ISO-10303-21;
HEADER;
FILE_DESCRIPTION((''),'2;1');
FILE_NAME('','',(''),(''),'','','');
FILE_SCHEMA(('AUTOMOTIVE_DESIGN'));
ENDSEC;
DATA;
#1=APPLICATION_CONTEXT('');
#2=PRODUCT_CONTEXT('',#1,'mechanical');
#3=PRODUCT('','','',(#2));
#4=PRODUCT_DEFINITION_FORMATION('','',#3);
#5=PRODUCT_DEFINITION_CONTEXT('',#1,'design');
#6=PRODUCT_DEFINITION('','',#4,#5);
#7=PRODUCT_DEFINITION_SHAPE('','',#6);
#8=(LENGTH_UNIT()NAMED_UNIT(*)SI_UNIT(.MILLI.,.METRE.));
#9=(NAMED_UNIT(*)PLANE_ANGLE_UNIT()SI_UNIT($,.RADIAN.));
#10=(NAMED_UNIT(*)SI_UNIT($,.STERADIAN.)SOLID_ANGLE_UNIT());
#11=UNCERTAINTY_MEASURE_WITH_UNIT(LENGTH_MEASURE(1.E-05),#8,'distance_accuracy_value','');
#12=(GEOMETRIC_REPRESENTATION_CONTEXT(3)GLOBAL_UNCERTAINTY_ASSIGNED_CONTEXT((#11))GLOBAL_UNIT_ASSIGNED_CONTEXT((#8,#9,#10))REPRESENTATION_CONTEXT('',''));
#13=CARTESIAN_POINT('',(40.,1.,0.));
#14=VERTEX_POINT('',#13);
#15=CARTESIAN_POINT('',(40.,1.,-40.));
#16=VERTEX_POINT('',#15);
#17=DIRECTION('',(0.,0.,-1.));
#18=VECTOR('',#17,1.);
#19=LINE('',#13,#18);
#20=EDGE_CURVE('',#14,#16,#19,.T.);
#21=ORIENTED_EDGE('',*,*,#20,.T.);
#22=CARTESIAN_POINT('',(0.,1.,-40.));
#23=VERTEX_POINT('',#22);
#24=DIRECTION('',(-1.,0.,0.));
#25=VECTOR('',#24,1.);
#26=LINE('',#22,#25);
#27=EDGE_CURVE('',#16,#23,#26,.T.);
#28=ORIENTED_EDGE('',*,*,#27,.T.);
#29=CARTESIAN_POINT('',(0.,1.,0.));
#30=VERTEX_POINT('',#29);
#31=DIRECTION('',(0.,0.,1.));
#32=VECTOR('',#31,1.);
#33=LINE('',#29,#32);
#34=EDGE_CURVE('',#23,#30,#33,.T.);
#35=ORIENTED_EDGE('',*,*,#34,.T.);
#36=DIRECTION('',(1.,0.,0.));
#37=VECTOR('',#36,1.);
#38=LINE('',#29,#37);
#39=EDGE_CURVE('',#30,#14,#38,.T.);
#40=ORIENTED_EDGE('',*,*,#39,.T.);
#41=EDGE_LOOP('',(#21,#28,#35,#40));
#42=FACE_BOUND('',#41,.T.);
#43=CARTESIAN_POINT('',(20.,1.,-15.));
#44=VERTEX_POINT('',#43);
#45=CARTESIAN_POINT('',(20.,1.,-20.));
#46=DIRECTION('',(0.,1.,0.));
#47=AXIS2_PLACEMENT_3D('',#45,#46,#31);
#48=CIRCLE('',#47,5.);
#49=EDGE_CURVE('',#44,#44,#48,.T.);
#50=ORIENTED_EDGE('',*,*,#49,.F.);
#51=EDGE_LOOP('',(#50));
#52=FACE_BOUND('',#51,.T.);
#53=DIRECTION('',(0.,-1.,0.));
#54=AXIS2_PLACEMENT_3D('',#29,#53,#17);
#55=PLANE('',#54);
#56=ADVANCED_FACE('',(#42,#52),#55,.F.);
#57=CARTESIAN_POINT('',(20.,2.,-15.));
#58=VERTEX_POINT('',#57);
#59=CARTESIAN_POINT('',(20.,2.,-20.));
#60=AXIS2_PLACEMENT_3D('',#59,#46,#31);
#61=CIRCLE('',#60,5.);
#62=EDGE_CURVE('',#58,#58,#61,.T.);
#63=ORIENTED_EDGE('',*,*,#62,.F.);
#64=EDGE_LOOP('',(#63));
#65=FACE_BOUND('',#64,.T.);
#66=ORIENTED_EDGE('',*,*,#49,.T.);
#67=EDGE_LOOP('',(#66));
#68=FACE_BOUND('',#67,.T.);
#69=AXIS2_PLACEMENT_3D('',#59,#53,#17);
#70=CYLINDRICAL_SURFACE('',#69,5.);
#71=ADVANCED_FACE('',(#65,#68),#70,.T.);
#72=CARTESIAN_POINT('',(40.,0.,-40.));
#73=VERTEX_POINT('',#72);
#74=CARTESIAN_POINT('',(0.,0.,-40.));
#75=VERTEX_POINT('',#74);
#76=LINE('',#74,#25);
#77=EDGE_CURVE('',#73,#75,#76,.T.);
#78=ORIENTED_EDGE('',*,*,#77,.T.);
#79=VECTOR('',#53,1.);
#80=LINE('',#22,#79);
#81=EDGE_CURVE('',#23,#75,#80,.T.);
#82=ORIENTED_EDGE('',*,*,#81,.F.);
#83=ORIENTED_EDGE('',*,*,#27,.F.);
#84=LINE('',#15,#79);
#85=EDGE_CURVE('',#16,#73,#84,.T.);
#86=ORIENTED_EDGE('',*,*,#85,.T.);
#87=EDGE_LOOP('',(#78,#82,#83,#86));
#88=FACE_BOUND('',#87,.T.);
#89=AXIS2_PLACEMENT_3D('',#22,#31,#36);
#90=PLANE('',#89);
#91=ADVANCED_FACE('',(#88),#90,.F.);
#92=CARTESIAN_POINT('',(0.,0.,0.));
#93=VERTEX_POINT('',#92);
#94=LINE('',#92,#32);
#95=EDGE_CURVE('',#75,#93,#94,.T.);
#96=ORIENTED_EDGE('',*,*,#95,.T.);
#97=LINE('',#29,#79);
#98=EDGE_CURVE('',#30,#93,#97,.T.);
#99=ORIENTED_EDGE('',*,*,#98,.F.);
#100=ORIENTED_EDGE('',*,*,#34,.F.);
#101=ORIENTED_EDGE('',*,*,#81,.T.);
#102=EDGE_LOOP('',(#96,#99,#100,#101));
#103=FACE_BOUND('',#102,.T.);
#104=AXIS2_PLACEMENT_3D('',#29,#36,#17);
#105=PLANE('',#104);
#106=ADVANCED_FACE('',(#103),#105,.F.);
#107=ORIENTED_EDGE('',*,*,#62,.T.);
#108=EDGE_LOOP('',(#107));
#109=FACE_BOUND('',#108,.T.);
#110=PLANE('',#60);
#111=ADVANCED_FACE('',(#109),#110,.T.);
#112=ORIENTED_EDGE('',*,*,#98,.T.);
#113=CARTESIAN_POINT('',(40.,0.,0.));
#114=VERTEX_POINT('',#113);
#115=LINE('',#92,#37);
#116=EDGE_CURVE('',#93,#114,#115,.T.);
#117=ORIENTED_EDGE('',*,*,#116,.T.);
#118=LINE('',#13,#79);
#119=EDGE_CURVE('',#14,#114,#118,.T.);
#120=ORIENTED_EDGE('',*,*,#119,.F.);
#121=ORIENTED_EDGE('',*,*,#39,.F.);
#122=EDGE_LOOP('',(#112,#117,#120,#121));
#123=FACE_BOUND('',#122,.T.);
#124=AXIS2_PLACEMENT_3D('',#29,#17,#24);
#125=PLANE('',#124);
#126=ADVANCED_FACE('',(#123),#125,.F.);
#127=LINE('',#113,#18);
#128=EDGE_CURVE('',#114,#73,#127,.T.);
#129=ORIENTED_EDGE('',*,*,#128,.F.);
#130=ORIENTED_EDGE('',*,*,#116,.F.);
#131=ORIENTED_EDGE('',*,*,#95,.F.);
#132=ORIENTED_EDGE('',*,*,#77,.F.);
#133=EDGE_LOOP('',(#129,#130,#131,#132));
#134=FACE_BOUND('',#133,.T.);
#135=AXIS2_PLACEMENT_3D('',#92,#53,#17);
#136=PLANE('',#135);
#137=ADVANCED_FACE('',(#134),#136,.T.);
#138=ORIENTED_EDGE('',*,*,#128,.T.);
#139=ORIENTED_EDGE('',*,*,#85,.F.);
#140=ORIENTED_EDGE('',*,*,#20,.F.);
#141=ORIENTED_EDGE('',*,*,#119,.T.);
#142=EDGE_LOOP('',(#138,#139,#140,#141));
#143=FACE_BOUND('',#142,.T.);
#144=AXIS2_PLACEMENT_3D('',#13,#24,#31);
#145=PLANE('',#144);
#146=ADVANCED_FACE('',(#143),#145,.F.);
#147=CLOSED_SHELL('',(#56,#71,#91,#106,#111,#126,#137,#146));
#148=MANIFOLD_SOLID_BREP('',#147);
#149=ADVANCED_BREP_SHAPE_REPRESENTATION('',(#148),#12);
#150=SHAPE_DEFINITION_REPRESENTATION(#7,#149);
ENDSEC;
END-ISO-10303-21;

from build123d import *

# Parameters (mm, degrees)
SKETCH_1_W      = 40
SKETCH_1_H      = 40
EXTRUDE_1_DEPTH = 1
SKETCH_2_R      = 5
EXTRUDE_2_DEPTH = 1


with BuildPart() as part:
    # 草图1 → 凸台-拉伸1 (new body)
    with BuildSketch(Plane(origin=(0, 0, 0), x_dir=(1, 0, 0), z_dir=(0, 1, 0))):
        with Locations((20, 20)):
            Rectangle(SKETCH_1_W, SKETCH_1_H)
    extrude(amount=EXTRUDE_1_DEPTH)

    # 草图2 → 凸台-拉伸2 (add)
    with BuildSketch(Plane(origin=(0, 1, 0), x_dir=(1, 0, 0), z_dir=(0, 1, 0))):
        with Locations(Location((20, 20, 0), (0, 0, 270))):
            Circle(SKETCH_2_R)
    extrude(amount=EXTRUDE_2_DEPTH)


solid = part.part
